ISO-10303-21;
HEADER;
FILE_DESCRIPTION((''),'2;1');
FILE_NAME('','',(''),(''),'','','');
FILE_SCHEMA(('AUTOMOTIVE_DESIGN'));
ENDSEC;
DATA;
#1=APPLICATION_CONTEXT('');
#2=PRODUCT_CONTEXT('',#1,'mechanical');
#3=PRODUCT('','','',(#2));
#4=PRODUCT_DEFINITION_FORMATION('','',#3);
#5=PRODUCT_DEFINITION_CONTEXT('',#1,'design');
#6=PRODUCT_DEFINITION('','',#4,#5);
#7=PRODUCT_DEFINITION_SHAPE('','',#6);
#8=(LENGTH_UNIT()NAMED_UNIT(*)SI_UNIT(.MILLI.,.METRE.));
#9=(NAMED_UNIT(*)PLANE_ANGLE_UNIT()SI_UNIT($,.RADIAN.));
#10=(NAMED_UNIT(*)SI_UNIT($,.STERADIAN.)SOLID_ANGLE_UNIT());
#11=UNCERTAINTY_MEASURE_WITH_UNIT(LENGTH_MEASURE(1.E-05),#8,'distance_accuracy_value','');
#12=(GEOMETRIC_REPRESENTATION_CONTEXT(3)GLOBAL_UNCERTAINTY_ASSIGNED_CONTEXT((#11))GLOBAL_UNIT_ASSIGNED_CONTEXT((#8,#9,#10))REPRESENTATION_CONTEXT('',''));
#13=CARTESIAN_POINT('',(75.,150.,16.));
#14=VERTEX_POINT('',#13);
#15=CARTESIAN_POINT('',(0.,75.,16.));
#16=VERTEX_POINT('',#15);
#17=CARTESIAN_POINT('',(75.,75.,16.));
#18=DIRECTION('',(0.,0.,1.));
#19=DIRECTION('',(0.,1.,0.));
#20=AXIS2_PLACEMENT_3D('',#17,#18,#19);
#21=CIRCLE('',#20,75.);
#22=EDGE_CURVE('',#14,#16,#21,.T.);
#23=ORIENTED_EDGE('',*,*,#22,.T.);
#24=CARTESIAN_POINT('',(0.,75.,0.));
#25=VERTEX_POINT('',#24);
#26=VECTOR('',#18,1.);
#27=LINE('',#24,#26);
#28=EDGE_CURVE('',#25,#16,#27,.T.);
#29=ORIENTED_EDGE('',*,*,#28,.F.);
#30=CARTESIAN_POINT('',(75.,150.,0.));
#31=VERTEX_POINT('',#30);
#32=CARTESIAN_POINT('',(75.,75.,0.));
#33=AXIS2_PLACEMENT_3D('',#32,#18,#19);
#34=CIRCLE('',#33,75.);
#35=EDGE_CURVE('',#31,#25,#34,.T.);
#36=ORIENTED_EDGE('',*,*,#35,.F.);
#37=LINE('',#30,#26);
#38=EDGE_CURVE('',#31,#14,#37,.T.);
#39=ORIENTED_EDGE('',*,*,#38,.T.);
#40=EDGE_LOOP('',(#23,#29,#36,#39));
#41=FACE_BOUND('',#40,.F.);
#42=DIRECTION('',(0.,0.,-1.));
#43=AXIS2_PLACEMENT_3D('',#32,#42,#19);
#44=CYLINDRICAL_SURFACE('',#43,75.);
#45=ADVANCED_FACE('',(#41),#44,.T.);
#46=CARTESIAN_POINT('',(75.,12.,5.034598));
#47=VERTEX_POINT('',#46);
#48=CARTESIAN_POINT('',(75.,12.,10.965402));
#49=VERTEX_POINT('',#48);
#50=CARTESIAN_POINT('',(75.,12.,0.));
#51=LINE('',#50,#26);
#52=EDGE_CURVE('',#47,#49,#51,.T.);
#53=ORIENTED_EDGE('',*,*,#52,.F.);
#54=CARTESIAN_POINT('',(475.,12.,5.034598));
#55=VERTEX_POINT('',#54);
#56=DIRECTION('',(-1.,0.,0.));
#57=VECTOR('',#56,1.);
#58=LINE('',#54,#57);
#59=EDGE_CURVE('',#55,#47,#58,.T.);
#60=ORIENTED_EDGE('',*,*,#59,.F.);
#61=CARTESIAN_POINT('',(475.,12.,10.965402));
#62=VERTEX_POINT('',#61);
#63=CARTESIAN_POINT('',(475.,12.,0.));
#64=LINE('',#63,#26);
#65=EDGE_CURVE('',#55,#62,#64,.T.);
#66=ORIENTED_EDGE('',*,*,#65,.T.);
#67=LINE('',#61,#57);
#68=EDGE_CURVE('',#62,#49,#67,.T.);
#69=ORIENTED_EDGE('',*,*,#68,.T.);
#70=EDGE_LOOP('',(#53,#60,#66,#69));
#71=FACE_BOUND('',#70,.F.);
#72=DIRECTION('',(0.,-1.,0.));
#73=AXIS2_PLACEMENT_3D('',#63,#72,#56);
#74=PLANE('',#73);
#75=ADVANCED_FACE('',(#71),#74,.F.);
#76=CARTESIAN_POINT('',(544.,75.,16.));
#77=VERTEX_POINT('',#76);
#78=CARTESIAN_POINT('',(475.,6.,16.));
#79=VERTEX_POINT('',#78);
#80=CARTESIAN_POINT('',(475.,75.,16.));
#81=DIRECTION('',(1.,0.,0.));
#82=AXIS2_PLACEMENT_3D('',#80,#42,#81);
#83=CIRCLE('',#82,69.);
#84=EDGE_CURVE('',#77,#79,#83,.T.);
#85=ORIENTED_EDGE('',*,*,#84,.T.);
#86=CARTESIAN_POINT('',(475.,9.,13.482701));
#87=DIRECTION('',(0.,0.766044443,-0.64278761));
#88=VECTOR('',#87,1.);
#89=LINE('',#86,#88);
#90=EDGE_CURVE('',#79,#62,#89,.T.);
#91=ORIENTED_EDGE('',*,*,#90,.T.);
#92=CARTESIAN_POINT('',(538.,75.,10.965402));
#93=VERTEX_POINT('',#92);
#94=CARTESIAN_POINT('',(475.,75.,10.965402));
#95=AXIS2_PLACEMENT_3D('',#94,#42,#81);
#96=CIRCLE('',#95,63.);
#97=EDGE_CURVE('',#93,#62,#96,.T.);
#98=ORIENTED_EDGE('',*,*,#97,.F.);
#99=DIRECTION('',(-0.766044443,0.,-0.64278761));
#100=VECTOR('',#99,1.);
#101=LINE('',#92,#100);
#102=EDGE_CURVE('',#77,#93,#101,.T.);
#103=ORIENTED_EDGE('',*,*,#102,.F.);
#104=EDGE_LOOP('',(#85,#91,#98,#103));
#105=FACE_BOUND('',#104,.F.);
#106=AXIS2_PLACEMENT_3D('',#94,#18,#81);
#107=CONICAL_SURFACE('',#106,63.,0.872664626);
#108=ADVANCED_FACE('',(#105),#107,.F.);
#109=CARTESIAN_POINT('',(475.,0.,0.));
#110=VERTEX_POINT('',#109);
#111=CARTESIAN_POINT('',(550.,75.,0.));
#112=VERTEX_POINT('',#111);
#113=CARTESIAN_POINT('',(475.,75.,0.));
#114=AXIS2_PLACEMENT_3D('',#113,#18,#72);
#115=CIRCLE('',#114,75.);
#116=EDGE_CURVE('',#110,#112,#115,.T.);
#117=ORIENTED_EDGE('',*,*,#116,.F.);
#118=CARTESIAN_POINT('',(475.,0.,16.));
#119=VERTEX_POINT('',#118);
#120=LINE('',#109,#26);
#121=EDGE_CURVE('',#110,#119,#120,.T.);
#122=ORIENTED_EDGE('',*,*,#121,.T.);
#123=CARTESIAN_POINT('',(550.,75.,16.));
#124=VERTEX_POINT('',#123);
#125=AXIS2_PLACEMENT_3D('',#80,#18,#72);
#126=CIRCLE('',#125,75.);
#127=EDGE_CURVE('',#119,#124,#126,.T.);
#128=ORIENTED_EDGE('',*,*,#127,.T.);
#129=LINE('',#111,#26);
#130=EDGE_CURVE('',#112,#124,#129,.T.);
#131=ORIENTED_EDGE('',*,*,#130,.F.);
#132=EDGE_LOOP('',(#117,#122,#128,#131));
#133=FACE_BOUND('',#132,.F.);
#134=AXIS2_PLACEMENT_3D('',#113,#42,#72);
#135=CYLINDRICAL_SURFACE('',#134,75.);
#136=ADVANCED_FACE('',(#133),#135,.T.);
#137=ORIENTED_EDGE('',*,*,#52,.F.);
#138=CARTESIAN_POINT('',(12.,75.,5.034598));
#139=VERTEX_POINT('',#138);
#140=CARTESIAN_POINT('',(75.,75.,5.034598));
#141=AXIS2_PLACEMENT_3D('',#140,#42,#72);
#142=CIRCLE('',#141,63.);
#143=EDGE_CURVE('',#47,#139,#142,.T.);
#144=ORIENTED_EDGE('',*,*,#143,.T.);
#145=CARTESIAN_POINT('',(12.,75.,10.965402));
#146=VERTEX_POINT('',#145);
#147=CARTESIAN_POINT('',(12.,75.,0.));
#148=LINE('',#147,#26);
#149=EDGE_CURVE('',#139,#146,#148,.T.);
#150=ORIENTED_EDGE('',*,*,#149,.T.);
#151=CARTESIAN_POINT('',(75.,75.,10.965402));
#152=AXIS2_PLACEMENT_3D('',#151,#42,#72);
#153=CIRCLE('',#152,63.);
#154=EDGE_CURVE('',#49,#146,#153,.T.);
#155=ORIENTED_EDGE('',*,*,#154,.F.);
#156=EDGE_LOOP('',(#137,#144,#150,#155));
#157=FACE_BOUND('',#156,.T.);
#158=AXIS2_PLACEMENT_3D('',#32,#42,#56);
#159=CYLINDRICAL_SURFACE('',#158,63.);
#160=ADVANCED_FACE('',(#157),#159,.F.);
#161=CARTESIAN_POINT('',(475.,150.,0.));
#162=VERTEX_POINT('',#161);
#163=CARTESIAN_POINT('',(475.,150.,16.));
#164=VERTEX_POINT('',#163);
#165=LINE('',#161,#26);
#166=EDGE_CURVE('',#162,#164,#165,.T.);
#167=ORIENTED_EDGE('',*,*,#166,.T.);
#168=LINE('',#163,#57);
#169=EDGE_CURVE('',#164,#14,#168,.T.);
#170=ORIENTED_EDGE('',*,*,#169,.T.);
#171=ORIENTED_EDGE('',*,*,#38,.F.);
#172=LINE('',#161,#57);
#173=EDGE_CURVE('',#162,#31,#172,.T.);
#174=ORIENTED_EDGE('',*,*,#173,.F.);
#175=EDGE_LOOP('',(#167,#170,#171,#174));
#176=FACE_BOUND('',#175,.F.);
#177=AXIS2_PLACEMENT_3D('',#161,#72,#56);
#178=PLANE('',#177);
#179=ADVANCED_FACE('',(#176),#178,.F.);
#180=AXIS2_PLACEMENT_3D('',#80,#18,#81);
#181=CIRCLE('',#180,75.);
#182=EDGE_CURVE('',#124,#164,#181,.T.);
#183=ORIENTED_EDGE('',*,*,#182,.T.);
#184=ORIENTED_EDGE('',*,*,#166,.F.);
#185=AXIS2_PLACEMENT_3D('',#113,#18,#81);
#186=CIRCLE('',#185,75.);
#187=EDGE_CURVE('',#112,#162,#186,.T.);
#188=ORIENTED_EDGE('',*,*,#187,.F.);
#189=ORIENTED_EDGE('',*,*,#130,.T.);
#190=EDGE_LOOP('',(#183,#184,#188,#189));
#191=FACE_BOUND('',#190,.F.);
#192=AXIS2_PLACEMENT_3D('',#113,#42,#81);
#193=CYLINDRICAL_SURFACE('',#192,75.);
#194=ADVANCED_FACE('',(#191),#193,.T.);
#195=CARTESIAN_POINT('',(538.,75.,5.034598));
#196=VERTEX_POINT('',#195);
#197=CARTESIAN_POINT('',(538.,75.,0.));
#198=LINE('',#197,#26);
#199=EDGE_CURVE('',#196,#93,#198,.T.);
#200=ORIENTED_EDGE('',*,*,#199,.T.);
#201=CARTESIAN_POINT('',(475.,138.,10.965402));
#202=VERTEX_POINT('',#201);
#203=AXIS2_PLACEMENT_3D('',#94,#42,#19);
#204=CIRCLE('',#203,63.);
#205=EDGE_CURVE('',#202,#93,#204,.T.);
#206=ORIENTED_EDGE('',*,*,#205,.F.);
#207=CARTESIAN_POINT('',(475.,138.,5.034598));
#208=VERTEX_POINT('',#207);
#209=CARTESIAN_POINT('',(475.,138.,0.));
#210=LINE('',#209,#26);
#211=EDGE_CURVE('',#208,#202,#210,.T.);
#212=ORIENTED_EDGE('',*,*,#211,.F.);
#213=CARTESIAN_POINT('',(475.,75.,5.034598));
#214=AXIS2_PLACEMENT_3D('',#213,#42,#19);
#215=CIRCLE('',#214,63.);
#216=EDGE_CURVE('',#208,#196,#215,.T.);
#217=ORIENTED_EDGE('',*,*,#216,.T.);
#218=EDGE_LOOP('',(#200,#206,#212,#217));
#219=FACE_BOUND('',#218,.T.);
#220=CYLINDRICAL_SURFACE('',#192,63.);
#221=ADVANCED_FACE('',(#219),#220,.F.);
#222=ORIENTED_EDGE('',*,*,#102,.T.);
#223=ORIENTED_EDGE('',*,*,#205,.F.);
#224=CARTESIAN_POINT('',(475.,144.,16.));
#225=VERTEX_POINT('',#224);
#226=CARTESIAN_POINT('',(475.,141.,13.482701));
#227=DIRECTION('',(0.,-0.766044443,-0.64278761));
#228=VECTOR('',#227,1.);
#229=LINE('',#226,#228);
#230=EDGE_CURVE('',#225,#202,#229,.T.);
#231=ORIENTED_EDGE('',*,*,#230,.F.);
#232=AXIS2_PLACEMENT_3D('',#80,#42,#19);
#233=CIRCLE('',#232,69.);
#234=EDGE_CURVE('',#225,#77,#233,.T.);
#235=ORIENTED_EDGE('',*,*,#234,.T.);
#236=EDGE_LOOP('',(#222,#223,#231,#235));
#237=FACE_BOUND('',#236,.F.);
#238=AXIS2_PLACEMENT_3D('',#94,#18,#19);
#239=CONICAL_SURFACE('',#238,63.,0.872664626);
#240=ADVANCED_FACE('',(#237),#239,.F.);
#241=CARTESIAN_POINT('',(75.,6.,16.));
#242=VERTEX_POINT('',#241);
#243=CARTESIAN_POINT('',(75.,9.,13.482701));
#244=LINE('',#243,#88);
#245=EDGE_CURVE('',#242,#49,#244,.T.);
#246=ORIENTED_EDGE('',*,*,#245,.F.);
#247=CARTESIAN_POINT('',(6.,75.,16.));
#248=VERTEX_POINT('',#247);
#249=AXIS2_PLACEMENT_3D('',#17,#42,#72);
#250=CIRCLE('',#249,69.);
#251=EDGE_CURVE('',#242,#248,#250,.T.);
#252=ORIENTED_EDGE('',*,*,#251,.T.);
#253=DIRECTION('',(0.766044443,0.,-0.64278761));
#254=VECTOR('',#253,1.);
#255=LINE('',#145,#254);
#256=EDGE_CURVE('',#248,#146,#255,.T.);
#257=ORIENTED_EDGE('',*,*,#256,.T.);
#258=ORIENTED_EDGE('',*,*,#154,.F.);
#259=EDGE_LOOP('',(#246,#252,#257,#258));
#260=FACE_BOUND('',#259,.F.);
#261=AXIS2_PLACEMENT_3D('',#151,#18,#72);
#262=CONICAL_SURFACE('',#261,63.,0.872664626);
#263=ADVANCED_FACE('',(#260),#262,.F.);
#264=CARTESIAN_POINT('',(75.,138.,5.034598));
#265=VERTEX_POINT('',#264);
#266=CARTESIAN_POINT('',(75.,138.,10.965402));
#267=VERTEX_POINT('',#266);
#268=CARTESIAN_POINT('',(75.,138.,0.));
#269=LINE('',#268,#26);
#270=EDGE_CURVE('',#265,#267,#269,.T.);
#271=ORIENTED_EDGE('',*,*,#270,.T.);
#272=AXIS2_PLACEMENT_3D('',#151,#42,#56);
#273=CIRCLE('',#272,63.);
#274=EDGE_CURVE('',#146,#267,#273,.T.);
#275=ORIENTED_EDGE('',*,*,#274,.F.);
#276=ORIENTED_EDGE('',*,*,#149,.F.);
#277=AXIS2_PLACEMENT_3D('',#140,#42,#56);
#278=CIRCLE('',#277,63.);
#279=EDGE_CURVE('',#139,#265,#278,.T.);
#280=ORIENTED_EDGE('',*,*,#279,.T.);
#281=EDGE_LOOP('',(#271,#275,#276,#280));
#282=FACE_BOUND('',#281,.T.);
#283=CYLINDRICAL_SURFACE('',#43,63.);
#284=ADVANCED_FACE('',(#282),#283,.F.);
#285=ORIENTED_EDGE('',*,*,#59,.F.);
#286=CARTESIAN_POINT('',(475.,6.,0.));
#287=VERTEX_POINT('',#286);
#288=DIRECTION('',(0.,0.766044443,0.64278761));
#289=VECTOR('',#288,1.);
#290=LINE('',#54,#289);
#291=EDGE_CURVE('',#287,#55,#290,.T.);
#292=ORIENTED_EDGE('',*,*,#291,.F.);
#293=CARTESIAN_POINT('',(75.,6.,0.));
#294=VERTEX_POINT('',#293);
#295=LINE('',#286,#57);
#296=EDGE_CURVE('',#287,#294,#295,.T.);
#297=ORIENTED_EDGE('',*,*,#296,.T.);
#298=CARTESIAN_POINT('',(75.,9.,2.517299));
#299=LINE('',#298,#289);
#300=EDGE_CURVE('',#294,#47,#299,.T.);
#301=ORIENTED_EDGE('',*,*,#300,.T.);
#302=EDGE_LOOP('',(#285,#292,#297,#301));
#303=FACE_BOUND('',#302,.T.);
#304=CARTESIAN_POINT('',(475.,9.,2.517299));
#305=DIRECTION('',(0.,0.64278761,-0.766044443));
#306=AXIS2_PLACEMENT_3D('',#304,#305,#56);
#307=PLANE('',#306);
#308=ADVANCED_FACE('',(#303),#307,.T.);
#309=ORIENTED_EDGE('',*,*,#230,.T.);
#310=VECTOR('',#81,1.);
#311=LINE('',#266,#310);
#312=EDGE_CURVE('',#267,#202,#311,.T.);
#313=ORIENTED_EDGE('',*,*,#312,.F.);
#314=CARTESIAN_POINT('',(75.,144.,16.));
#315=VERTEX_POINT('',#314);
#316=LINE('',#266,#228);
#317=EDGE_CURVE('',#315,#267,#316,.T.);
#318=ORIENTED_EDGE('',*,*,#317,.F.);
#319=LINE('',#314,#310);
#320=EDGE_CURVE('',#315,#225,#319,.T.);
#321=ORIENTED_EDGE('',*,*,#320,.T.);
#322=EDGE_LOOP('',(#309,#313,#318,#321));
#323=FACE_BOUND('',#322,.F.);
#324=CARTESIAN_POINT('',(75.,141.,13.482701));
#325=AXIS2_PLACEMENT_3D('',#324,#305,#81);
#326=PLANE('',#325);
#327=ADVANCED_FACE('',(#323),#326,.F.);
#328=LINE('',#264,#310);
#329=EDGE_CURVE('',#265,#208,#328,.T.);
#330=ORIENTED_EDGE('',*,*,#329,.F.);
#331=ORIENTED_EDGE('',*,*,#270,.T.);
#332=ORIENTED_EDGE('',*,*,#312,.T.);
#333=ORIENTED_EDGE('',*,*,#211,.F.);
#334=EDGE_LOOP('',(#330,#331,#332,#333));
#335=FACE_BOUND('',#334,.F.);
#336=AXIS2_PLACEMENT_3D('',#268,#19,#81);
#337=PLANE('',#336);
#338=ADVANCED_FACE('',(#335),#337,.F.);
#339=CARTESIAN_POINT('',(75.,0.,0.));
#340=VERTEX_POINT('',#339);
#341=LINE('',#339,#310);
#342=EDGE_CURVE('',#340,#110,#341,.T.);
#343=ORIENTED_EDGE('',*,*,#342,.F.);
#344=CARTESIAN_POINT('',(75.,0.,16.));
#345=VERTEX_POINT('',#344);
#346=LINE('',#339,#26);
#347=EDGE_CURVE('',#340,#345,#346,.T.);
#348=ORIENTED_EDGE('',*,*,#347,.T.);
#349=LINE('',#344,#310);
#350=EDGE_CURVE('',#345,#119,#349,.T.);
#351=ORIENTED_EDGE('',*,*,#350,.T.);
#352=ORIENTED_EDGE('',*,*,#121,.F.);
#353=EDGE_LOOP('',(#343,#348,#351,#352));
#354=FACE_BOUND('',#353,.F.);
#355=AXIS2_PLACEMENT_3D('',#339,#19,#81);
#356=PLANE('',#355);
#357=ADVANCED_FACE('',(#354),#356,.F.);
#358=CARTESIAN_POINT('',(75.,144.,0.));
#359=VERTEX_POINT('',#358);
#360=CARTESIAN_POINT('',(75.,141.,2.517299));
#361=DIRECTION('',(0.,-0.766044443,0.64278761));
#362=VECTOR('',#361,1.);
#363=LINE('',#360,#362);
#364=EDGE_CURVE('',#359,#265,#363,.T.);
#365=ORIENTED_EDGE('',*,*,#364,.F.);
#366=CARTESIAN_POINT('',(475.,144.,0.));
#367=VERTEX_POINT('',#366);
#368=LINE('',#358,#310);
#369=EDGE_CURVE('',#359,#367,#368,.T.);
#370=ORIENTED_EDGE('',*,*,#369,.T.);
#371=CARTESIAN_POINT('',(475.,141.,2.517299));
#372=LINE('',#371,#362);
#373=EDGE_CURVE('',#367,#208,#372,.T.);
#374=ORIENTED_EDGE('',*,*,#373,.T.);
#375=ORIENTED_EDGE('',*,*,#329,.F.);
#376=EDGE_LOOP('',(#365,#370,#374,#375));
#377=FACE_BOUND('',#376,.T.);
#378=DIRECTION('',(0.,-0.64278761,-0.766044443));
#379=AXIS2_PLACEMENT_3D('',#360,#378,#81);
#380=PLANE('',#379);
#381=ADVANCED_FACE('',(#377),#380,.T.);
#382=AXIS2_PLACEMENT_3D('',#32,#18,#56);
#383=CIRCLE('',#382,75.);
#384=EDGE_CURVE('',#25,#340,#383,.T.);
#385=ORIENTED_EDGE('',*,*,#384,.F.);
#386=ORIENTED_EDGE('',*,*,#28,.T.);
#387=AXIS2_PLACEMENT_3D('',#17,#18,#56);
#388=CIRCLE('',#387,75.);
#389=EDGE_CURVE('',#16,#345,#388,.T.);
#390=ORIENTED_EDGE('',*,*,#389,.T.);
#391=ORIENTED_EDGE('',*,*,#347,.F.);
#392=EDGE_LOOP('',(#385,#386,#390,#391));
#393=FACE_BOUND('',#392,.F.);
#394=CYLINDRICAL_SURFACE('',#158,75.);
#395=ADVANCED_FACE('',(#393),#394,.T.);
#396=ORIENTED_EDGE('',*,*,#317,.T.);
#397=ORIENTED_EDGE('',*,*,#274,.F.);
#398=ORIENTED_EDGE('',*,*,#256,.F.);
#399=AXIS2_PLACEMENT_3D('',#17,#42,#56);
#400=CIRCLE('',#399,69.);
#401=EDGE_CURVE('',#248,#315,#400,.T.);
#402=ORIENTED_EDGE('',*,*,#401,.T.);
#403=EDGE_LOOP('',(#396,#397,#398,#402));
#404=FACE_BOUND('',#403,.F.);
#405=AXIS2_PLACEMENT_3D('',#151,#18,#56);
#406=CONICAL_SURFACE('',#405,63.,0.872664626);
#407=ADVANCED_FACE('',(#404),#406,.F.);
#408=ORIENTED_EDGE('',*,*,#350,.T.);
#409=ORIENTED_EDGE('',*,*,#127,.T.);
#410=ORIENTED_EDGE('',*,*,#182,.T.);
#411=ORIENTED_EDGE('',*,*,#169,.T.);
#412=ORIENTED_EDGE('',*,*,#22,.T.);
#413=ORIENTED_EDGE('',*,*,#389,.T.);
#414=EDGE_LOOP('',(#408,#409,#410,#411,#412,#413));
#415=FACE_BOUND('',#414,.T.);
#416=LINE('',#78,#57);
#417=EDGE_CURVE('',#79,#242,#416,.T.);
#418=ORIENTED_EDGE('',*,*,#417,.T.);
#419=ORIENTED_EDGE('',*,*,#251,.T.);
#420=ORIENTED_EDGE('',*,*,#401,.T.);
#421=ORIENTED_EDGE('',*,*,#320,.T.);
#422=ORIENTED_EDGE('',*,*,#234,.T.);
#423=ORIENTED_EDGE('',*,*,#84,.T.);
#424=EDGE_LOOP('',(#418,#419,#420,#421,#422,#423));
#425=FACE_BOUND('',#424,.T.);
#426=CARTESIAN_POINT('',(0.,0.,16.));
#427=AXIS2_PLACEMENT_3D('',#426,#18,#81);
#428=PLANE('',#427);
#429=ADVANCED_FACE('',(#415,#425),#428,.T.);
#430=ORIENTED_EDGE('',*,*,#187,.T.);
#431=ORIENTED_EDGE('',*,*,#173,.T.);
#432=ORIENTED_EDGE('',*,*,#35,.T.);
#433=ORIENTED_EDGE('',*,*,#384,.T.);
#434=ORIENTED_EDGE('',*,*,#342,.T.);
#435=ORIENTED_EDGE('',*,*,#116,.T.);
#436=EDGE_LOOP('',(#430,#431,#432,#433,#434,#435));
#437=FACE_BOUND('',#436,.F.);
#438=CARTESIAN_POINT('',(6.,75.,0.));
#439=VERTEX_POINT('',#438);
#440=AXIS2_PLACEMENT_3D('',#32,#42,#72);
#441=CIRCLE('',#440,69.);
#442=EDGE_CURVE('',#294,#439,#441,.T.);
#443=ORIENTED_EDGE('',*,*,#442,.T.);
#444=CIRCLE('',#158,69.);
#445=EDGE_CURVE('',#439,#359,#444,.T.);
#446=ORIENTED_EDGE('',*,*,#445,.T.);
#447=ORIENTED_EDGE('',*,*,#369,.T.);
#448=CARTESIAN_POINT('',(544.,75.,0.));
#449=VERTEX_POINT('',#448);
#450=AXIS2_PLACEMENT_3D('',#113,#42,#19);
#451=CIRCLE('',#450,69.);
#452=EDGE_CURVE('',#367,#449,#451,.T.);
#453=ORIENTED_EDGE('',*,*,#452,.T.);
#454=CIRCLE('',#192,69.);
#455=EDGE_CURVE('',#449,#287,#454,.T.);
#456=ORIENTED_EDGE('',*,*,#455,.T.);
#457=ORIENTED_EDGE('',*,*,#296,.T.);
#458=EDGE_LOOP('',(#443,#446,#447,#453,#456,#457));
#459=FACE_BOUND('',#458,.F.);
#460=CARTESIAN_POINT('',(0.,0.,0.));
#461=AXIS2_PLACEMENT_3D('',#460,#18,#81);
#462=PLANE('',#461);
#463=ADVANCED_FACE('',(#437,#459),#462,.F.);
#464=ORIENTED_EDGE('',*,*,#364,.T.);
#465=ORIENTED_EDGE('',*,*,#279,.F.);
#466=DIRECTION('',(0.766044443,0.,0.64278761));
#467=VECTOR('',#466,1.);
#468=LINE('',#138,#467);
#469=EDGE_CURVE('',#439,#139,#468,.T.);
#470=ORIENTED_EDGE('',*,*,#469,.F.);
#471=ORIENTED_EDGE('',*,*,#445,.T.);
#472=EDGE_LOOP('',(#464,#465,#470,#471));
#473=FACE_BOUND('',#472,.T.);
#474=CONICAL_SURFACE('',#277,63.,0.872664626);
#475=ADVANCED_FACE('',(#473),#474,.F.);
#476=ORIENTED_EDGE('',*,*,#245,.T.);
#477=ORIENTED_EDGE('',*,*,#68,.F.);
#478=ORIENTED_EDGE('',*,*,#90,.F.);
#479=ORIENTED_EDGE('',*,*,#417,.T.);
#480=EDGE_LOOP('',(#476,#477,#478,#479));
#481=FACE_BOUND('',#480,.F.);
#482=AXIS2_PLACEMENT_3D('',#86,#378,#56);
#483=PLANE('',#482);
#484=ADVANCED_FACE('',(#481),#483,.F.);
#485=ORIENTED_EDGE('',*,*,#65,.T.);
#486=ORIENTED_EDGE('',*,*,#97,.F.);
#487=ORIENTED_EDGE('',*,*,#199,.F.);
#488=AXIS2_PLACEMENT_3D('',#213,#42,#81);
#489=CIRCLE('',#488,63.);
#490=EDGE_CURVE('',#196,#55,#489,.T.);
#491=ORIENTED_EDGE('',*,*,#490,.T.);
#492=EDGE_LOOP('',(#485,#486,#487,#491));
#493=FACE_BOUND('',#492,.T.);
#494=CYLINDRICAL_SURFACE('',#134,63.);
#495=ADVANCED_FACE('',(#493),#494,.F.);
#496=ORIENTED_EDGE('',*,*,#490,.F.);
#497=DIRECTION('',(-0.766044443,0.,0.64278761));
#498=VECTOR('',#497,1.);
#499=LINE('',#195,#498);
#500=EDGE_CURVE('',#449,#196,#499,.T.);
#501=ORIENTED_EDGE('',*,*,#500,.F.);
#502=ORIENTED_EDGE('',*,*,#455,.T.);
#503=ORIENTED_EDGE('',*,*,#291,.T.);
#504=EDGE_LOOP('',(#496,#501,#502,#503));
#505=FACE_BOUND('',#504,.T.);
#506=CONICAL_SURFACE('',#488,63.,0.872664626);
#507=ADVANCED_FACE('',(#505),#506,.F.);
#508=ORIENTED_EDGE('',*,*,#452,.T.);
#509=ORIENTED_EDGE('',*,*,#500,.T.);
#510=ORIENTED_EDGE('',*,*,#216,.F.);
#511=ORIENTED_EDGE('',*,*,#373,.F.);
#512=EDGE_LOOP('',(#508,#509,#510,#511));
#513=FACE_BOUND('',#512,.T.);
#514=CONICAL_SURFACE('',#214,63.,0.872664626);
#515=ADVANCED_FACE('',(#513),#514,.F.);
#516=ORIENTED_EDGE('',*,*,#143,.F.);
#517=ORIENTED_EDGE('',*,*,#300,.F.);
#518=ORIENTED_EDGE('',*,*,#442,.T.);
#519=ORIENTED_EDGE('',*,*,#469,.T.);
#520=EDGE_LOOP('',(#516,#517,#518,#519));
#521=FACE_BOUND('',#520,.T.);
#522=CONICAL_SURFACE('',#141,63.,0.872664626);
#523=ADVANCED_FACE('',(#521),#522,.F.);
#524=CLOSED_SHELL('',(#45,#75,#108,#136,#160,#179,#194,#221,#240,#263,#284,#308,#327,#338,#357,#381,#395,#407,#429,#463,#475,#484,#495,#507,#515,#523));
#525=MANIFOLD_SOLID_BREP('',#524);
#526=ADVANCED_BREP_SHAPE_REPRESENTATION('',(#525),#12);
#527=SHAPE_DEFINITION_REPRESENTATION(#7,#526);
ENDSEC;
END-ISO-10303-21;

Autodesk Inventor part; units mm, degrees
ref_plane "YZ Plane" through (0, 0, 0) normal (1, 0, 0) x (0, 1, 0)
ref_plane "XZ Plane" through (0, 0, 0) normal (0, 1, 0) x (-1, 0, 0)
ref_plane "XY Plane" through (0, 0, 0) normal (0, 0, 1) x (1, 0, 0)
sketch "Sketch1" plane through (0, 0, 0) normal (0, 0, 1) x (1, 0, 0)
  line L0 (75, 0) -> (475, 0)
  line L1 (550, 75) -> (550, 75)
  line L2 (475, 150) -> (75, 150)
  line L3 (0, 75) -> (0, 75)
  arc A0 (75, 150) -> (0, 75) centre (75, 75) ccw
  arc A1 (0, 75) -> (75, 0) centre (75, 75) ccw
  arc A2 (475, 0) -> (550, 75) centre (475, 75) ccw
  arc A3 (550, 75) -> (475, 150) centre (475, 75) ccw
  line L4 (75, 138) -> (475, 138)
  line L5 (538, 75) -> (538, 75)
  line L6 (475, 12) -> (75, 12)
  line L7 (12, 75) -> (12, 75)
  arc A4 (75, 138) -> (12, 75) centre (75, 75) ccw
  arc A5 (12, 75) -> (75, 12) centre (75, 75) ccw
  arc A6 (475, 12) -> (538, 75) centre (475, 75) ccw
  arc A7 (538, 75) -> (475, 138) centre (475, 75) ccw
  point P0 (0, 0)
  point P1 (550, 150)
  point P2 (550, 0)
  point P3 (0, 150)
  point P4 (531, 5)
  point P5 (531, 131)
  point P6 (5, 5)
  point P7 (538, 12)
  point P8 (538, 138)
  point P9 (12, 12)
  dimension "d0" = 550
  dimension "d1" = 150
  dimension "d2" = 75
  dimension "d3" = 526
  dimension "d4" = 126
  dimension "d6" = 526
  dimension "d7" = 126
  dimension "d8" = 63
extrude "Extrusion1" add sketch "Sketch1" along normal blind 16
chamfer "Chamfer1" distance 6 angle 40 4 edges at (275, 12, 16) (30.4523, 30.4523, 16) (275, 138, 16) (519.5477, 119.5477, 16) measured on face at (341.6667, 8, 16)
chamfer "Chamfer2" distance 6 angle 40 4 edges at (275, 138, 0) (30.4523, 30.4523, 0) (275, 12, 0) (519.5477, 119.5477, 0) measured on face at (341.6667, 8, 0)
properties part number "big belt" material "Rubber"
